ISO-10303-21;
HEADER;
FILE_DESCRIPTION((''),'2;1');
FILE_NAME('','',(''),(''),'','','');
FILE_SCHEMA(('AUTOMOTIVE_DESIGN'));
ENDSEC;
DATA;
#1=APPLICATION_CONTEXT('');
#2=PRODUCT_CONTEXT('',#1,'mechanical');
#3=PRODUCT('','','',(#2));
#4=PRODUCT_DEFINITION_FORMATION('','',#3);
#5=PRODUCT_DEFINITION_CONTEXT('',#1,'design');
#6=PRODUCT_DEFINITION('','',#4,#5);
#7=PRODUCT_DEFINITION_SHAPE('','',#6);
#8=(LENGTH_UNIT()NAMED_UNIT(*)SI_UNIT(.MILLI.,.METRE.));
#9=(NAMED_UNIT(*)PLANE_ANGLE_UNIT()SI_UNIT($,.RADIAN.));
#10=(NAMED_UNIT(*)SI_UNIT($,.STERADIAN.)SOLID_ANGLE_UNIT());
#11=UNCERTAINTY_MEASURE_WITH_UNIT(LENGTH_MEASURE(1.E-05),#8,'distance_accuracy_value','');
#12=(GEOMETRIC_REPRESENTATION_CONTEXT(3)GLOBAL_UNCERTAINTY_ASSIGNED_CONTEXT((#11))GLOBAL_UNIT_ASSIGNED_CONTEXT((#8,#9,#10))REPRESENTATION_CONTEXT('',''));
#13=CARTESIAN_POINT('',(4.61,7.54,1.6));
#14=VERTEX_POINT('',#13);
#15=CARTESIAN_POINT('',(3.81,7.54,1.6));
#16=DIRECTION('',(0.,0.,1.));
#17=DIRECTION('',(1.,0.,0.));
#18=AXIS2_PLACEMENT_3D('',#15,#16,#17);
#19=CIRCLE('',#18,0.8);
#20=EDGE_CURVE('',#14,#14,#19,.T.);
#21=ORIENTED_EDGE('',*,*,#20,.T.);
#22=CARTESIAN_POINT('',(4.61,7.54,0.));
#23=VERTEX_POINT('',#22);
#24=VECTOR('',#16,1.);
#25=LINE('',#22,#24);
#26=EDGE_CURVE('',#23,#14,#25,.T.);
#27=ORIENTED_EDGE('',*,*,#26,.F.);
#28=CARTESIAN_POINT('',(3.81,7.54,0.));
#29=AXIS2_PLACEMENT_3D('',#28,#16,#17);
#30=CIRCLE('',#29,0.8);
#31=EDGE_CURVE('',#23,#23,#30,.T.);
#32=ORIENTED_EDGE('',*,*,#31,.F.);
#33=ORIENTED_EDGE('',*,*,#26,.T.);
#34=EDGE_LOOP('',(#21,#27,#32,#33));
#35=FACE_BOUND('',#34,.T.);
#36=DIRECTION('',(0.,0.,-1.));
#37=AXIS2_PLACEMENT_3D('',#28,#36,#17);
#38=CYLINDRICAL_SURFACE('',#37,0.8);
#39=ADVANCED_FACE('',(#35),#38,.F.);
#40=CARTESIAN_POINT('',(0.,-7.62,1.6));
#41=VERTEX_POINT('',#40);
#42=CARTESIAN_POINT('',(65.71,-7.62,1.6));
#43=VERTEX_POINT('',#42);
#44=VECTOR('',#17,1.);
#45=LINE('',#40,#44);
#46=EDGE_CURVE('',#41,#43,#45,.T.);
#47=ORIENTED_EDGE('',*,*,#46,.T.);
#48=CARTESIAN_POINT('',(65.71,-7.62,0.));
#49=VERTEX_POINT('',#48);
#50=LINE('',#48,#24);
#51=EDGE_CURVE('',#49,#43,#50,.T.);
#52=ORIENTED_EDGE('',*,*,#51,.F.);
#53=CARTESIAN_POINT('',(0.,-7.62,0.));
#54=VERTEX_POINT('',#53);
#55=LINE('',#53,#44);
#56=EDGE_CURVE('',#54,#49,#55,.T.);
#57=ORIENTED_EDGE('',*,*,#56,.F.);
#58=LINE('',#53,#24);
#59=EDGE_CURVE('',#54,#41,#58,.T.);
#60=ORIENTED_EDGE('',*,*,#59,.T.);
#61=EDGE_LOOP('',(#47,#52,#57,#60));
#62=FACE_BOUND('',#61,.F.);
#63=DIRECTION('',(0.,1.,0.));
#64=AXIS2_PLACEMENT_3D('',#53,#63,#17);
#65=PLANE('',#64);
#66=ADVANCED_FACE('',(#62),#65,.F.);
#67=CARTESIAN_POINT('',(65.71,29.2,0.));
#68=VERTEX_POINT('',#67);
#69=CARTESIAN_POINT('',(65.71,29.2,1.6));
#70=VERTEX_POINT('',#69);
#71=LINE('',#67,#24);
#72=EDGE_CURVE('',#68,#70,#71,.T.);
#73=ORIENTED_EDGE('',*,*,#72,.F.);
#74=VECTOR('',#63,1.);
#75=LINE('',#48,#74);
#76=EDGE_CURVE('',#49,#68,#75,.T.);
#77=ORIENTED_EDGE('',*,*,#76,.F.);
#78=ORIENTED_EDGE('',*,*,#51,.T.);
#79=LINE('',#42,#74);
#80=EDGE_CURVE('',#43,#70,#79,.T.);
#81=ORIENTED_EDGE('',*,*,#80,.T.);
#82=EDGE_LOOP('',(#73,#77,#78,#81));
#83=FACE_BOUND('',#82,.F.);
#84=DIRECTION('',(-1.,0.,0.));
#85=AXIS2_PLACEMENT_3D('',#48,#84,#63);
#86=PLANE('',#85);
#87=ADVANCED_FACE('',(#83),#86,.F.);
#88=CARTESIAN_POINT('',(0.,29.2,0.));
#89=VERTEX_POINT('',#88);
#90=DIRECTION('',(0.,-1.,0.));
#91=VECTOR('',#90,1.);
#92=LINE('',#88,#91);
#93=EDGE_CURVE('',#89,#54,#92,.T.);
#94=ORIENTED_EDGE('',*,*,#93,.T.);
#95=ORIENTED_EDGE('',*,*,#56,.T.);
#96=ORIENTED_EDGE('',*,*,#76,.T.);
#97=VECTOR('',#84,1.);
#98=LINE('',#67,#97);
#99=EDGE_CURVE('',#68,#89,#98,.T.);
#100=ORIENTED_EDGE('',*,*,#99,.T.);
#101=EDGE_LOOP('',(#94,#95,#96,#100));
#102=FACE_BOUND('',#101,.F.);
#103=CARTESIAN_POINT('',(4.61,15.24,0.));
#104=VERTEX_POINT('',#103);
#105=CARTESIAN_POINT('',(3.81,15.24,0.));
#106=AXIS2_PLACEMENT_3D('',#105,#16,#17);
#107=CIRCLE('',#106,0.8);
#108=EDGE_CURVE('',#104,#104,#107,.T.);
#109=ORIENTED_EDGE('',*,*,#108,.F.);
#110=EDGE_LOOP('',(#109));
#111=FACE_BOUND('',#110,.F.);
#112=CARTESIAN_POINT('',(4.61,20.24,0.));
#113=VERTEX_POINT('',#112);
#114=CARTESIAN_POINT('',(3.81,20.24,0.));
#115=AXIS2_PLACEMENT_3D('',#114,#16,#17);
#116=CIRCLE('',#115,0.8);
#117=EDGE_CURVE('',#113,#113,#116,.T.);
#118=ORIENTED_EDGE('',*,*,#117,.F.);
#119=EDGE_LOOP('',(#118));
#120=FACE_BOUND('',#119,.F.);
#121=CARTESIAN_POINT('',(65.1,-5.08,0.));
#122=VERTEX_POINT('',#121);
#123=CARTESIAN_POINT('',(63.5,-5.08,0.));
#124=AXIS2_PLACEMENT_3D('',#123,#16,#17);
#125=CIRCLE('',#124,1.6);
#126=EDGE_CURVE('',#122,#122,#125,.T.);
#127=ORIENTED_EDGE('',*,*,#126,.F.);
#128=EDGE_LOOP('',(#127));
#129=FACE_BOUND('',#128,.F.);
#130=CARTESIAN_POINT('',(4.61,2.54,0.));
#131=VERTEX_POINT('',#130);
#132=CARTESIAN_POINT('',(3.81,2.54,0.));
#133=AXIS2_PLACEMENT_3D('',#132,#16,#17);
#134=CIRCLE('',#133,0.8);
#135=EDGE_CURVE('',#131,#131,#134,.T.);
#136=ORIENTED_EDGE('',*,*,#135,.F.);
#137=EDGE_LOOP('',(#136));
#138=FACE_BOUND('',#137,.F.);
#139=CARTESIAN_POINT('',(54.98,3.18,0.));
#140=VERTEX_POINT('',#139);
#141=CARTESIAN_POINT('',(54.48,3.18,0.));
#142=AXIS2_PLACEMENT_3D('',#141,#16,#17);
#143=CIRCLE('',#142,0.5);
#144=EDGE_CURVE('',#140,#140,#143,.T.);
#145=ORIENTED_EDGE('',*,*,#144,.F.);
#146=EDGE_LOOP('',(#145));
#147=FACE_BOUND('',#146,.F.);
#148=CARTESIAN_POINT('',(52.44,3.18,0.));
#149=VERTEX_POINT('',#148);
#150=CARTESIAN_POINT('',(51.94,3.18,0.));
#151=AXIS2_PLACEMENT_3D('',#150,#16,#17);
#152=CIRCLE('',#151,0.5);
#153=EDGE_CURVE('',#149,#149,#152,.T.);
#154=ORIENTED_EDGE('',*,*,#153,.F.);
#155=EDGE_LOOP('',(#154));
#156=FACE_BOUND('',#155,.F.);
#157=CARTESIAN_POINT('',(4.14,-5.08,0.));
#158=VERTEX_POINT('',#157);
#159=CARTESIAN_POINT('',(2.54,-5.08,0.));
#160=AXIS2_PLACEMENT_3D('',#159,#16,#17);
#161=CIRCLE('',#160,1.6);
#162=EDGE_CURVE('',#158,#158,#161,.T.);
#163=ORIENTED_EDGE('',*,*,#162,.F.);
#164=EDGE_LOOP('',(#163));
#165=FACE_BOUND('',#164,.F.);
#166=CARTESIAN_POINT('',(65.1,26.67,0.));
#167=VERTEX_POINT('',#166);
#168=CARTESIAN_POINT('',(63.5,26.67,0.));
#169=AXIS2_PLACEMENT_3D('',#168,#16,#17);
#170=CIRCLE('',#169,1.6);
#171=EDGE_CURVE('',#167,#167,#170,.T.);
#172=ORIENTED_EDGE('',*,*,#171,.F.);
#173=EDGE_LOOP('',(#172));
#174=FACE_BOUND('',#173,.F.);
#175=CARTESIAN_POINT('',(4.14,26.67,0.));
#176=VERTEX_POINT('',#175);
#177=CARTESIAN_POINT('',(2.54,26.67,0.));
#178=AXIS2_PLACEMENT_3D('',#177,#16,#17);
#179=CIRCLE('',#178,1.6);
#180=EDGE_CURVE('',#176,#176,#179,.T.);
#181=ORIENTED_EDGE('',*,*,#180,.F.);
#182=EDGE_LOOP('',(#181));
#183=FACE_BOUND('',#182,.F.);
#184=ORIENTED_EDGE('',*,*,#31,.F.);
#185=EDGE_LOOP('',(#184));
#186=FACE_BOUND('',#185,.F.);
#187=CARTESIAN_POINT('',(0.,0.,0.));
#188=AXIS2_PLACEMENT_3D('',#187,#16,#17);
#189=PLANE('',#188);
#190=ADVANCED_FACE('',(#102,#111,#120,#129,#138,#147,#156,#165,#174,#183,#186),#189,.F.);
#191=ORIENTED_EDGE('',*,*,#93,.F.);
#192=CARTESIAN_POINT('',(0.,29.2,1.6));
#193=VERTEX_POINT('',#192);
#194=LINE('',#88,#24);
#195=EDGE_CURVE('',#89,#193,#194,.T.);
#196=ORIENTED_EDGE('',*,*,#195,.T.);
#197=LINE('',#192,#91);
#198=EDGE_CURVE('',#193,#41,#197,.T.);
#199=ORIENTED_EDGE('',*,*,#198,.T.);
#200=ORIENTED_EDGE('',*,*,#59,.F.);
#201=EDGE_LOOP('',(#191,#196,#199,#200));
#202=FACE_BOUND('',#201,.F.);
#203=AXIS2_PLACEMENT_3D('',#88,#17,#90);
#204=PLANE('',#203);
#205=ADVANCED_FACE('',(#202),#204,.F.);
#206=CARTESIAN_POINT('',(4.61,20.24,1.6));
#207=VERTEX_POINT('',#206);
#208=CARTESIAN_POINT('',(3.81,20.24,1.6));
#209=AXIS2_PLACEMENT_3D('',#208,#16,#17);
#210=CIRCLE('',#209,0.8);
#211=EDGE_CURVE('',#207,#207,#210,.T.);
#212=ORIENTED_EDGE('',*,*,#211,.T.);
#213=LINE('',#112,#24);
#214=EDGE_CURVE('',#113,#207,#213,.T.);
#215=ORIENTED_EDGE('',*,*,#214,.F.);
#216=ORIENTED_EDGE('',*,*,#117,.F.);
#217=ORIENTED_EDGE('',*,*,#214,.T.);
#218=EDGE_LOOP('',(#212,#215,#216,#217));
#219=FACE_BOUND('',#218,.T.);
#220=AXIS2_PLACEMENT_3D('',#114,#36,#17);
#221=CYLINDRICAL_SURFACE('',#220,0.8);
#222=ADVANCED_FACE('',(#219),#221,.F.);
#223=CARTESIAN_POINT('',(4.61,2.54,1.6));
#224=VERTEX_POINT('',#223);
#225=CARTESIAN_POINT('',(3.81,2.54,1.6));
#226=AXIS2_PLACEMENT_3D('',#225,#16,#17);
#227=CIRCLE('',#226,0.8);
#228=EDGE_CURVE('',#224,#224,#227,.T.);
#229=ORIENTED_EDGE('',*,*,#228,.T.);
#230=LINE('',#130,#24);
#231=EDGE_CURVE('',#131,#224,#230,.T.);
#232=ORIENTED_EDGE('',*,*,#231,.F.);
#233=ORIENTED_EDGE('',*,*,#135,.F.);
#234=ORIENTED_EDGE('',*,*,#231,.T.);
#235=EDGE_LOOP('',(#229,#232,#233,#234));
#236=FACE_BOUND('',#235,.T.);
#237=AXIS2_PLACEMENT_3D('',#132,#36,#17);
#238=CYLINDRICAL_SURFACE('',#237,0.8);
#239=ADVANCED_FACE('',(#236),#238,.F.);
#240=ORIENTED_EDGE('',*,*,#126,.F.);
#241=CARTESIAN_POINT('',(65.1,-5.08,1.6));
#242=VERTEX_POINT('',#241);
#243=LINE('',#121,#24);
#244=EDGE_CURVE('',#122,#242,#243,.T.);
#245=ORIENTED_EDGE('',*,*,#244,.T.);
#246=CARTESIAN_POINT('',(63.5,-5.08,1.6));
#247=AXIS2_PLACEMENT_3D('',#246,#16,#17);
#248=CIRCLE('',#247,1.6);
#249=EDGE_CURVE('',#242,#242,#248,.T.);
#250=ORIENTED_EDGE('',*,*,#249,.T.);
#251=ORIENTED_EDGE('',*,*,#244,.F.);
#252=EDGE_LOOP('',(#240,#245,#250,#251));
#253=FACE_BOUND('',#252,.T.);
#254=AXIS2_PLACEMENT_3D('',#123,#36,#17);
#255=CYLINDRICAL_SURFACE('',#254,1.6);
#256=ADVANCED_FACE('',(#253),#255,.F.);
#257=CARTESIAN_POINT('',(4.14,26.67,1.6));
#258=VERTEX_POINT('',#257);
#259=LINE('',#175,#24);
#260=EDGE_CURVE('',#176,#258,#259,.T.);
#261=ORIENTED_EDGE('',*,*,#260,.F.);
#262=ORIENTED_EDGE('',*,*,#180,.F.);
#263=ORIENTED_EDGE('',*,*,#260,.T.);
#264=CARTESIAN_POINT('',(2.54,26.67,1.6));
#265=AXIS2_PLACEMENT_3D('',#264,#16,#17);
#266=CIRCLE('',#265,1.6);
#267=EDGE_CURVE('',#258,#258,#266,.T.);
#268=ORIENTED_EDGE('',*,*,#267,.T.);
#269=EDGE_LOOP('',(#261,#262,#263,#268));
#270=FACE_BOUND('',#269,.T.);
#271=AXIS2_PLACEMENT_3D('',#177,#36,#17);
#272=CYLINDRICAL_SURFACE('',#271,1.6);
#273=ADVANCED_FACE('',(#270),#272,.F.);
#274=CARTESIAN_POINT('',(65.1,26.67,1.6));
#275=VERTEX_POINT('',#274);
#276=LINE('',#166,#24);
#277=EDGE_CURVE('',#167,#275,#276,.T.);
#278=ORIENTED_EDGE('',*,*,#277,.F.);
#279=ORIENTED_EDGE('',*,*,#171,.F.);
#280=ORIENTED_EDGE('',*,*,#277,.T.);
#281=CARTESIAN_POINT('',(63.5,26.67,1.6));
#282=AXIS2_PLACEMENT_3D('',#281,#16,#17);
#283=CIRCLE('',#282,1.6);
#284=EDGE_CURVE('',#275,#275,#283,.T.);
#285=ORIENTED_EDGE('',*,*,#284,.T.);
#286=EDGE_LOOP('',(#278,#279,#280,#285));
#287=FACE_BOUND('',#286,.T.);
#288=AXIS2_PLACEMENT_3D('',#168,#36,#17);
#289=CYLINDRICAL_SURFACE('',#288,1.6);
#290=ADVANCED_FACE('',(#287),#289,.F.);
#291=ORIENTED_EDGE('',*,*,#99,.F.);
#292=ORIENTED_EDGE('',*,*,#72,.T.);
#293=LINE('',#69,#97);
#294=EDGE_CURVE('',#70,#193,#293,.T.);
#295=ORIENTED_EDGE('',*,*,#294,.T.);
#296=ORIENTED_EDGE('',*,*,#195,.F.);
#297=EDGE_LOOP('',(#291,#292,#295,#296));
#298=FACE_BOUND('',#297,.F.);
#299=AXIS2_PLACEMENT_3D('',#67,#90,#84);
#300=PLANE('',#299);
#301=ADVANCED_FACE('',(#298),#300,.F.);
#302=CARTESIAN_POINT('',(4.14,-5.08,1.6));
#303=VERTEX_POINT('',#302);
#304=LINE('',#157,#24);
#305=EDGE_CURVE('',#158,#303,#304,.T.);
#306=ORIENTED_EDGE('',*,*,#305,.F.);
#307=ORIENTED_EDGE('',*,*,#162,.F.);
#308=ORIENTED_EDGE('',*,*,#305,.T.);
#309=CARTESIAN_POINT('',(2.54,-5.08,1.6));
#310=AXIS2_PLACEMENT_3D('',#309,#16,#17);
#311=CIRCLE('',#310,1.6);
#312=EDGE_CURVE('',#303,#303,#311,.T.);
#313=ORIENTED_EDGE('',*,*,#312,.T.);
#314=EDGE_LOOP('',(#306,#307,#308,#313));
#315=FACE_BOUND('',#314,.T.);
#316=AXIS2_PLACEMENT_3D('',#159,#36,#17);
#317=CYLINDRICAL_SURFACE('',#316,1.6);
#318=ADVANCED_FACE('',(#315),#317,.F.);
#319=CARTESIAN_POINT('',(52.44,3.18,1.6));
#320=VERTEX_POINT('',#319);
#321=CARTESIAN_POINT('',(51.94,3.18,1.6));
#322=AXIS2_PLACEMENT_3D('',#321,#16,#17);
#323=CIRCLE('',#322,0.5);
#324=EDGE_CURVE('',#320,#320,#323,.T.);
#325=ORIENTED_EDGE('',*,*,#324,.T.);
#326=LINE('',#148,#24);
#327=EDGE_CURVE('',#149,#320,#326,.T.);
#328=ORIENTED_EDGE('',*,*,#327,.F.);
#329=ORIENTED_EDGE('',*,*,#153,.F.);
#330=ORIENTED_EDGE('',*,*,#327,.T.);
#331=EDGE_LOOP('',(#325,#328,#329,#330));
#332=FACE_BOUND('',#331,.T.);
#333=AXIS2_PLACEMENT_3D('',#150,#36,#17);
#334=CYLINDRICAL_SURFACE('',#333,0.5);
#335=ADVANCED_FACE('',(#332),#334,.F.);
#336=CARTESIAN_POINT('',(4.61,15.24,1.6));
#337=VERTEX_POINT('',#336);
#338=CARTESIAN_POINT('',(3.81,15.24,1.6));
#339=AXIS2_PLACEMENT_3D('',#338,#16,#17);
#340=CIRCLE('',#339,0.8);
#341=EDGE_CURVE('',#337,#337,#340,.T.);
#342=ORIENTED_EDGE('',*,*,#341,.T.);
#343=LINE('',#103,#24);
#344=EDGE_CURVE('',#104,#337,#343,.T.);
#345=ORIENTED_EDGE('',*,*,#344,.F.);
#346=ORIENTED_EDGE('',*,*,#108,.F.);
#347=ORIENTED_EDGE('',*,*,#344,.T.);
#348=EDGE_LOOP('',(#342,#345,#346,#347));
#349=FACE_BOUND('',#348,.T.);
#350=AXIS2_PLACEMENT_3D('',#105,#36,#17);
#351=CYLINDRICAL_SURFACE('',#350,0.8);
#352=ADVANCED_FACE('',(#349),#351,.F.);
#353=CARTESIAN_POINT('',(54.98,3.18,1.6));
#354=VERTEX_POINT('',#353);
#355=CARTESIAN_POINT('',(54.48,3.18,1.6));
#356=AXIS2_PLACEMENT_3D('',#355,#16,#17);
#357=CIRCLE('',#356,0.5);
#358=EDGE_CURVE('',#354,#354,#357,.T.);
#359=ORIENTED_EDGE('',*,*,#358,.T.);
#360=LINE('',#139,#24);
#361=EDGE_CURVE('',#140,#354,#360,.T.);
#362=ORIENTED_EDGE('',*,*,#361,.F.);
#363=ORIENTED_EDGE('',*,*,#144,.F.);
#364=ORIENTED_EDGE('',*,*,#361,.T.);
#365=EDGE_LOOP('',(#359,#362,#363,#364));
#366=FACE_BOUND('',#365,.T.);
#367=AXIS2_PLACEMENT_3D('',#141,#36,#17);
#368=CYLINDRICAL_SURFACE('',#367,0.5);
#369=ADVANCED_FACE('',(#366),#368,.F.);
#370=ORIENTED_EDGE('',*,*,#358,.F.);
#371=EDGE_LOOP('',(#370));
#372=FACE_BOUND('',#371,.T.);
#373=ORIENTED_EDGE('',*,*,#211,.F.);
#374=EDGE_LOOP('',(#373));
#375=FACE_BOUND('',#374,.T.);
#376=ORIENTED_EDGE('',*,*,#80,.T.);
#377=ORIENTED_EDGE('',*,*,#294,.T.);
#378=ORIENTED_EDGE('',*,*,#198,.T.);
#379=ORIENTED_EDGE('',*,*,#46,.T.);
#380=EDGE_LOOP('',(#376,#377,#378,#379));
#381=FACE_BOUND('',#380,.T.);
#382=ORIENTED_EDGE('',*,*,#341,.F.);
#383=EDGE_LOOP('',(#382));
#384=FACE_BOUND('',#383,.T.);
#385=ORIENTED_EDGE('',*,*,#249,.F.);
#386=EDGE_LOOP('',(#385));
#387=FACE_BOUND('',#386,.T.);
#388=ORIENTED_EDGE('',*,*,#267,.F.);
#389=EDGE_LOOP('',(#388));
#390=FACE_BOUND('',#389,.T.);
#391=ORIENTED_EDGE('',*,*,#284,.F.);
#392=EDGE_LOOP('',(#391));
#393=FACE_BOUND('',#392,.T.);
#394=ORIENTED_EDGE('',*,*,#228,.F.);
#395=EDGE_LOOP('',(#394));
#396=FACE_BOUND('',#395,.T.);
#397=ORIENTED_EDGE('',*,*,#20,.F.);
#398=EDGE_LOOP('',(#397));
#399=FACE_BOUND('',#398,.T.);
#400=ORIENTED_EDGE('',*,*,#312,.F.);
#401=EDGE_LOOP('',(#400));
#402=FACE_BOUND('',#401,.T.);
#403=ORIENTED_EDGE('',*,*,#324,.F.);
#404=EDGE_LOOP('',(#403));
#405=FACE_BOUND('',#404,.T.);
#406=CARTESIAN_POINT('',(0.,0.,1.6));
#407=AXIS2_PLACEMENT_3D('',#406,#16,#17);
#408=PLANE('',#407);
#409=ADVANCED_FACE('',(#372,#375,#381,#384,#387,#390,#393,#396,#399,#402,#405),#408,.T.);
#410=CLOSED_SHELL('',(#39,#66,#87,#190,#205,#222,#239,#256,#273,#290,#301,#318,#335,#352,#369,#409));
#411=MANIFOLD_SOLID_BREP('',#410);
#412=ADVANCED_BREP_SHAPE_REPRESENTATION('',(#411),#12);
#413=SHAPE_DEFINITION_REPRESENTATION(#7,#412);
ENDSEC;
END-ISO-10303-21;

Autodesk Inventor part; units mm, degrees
ref_plane "YZ Plane" through (0, 0, 0) normal (1, 0, 0) x (0, 1, 0)
ref_plane "XZ Plane" through (0, 0, 0) normal (0, 1, 0) x (-1, 0, 0)
ref_plane "XY Plane" through (0, 0, 0) normal (0, 0, 1) x (1, 0, 0)
sketch "Эскиз1" plane through (0, 0, 0) normal (0, 0, 1) x (1, 0, 0)
  line L0 (0, -7.62) -> (65.71, -7.62)
  line L1 (65.71, -7.62) -> (65.71, 29.2)
  line L2 (65.71, 29.2) -> (0, 29.2)
  line L3 (0, 29.2) -> (0, -7.62)
  circle A0 centre (3.81, 15.24) radius 0.8
  circle A1 centre (3.81, 20.24) radius 0.8
  circle A2 centre (3.81, 2.54) radius 0.8
  circle A3 centre (3.81, 7.54) radius 0.8
  circle A4 centre (51.94, 3.18) radius 0.5
  circle A5 centre (54.48, 3.18) radius 0.5
  circle A6 centre (2.54, 26.67) radius 1.6
  circle A7 centre (2.54, -5.08) radius 1.6
  circle A8 centre (63.5, -5.08) radius 1.6
  circle A9 centre (63.5, 26.67) radius 1.6
extrude "untitled.brdКонтур" add sketch "Эскиз1" along normal blind 1.6
properties part number "untitled.brdКонтур"
